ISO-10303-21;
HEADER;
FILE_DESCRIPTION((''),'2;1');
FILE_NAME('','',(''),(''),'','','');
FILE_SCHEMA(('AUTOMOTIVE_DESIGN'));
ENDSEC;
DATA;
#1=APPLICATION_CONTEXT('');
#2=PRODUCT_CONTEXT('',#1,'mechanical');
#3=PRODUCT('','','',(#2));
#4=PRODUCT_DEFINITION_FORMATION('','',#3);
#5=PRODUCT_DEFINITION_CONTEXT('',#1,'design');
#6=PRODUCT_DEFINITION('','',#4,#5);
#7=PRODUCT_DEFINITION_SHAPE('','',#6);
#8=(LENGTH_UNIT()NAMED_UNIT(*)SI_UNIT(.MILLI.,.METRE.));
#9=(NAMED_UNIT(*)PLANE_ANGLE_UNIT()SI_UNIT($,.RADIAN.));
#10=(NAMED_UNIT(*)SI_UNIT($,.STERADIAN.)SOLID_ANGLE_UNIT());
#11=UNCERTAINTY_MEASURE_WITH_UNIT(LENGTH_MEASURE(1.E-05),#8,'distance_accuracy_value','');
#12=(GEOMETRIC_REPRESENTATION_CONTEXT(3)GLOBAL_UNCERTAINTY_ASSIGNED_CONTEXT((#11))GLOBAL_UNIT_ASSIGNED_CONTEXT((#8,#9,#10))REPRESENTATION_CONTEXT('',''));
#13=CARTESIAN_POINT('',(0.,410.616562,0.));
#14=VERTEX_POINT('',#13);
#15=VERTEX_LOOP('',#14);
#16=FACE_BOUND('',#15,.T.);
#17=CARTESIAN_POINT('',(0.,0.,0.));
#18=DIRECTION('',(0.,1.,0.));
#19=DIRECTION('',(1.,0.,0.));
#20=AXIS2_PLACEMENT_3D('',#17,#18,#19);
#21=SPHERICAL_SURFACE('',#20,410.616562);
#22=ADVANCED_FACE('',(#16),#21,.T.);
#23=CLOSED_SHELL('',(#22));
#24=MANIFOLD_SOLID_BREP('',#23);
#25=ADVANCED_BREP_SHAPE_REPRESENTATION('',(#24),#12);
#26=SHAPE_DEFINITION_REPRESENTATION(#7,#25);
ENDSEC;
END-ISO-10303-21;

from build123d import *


with BuildPart() as part:
    # Sketch1 → Revolve1 (revolve)
    with BuildSketch(Plane.XY):
        with BuildLine():
            Line((0, 410.616562417), (0, -410.616562417))
            ThreePointArc((0, -410.616562417), (410.616562417, 0), (0, 410.616562417))
        make_face()
    revolve(axis=Axis((0, 410.616562417, 0), (0, -1, 0)))


solid = part.part
